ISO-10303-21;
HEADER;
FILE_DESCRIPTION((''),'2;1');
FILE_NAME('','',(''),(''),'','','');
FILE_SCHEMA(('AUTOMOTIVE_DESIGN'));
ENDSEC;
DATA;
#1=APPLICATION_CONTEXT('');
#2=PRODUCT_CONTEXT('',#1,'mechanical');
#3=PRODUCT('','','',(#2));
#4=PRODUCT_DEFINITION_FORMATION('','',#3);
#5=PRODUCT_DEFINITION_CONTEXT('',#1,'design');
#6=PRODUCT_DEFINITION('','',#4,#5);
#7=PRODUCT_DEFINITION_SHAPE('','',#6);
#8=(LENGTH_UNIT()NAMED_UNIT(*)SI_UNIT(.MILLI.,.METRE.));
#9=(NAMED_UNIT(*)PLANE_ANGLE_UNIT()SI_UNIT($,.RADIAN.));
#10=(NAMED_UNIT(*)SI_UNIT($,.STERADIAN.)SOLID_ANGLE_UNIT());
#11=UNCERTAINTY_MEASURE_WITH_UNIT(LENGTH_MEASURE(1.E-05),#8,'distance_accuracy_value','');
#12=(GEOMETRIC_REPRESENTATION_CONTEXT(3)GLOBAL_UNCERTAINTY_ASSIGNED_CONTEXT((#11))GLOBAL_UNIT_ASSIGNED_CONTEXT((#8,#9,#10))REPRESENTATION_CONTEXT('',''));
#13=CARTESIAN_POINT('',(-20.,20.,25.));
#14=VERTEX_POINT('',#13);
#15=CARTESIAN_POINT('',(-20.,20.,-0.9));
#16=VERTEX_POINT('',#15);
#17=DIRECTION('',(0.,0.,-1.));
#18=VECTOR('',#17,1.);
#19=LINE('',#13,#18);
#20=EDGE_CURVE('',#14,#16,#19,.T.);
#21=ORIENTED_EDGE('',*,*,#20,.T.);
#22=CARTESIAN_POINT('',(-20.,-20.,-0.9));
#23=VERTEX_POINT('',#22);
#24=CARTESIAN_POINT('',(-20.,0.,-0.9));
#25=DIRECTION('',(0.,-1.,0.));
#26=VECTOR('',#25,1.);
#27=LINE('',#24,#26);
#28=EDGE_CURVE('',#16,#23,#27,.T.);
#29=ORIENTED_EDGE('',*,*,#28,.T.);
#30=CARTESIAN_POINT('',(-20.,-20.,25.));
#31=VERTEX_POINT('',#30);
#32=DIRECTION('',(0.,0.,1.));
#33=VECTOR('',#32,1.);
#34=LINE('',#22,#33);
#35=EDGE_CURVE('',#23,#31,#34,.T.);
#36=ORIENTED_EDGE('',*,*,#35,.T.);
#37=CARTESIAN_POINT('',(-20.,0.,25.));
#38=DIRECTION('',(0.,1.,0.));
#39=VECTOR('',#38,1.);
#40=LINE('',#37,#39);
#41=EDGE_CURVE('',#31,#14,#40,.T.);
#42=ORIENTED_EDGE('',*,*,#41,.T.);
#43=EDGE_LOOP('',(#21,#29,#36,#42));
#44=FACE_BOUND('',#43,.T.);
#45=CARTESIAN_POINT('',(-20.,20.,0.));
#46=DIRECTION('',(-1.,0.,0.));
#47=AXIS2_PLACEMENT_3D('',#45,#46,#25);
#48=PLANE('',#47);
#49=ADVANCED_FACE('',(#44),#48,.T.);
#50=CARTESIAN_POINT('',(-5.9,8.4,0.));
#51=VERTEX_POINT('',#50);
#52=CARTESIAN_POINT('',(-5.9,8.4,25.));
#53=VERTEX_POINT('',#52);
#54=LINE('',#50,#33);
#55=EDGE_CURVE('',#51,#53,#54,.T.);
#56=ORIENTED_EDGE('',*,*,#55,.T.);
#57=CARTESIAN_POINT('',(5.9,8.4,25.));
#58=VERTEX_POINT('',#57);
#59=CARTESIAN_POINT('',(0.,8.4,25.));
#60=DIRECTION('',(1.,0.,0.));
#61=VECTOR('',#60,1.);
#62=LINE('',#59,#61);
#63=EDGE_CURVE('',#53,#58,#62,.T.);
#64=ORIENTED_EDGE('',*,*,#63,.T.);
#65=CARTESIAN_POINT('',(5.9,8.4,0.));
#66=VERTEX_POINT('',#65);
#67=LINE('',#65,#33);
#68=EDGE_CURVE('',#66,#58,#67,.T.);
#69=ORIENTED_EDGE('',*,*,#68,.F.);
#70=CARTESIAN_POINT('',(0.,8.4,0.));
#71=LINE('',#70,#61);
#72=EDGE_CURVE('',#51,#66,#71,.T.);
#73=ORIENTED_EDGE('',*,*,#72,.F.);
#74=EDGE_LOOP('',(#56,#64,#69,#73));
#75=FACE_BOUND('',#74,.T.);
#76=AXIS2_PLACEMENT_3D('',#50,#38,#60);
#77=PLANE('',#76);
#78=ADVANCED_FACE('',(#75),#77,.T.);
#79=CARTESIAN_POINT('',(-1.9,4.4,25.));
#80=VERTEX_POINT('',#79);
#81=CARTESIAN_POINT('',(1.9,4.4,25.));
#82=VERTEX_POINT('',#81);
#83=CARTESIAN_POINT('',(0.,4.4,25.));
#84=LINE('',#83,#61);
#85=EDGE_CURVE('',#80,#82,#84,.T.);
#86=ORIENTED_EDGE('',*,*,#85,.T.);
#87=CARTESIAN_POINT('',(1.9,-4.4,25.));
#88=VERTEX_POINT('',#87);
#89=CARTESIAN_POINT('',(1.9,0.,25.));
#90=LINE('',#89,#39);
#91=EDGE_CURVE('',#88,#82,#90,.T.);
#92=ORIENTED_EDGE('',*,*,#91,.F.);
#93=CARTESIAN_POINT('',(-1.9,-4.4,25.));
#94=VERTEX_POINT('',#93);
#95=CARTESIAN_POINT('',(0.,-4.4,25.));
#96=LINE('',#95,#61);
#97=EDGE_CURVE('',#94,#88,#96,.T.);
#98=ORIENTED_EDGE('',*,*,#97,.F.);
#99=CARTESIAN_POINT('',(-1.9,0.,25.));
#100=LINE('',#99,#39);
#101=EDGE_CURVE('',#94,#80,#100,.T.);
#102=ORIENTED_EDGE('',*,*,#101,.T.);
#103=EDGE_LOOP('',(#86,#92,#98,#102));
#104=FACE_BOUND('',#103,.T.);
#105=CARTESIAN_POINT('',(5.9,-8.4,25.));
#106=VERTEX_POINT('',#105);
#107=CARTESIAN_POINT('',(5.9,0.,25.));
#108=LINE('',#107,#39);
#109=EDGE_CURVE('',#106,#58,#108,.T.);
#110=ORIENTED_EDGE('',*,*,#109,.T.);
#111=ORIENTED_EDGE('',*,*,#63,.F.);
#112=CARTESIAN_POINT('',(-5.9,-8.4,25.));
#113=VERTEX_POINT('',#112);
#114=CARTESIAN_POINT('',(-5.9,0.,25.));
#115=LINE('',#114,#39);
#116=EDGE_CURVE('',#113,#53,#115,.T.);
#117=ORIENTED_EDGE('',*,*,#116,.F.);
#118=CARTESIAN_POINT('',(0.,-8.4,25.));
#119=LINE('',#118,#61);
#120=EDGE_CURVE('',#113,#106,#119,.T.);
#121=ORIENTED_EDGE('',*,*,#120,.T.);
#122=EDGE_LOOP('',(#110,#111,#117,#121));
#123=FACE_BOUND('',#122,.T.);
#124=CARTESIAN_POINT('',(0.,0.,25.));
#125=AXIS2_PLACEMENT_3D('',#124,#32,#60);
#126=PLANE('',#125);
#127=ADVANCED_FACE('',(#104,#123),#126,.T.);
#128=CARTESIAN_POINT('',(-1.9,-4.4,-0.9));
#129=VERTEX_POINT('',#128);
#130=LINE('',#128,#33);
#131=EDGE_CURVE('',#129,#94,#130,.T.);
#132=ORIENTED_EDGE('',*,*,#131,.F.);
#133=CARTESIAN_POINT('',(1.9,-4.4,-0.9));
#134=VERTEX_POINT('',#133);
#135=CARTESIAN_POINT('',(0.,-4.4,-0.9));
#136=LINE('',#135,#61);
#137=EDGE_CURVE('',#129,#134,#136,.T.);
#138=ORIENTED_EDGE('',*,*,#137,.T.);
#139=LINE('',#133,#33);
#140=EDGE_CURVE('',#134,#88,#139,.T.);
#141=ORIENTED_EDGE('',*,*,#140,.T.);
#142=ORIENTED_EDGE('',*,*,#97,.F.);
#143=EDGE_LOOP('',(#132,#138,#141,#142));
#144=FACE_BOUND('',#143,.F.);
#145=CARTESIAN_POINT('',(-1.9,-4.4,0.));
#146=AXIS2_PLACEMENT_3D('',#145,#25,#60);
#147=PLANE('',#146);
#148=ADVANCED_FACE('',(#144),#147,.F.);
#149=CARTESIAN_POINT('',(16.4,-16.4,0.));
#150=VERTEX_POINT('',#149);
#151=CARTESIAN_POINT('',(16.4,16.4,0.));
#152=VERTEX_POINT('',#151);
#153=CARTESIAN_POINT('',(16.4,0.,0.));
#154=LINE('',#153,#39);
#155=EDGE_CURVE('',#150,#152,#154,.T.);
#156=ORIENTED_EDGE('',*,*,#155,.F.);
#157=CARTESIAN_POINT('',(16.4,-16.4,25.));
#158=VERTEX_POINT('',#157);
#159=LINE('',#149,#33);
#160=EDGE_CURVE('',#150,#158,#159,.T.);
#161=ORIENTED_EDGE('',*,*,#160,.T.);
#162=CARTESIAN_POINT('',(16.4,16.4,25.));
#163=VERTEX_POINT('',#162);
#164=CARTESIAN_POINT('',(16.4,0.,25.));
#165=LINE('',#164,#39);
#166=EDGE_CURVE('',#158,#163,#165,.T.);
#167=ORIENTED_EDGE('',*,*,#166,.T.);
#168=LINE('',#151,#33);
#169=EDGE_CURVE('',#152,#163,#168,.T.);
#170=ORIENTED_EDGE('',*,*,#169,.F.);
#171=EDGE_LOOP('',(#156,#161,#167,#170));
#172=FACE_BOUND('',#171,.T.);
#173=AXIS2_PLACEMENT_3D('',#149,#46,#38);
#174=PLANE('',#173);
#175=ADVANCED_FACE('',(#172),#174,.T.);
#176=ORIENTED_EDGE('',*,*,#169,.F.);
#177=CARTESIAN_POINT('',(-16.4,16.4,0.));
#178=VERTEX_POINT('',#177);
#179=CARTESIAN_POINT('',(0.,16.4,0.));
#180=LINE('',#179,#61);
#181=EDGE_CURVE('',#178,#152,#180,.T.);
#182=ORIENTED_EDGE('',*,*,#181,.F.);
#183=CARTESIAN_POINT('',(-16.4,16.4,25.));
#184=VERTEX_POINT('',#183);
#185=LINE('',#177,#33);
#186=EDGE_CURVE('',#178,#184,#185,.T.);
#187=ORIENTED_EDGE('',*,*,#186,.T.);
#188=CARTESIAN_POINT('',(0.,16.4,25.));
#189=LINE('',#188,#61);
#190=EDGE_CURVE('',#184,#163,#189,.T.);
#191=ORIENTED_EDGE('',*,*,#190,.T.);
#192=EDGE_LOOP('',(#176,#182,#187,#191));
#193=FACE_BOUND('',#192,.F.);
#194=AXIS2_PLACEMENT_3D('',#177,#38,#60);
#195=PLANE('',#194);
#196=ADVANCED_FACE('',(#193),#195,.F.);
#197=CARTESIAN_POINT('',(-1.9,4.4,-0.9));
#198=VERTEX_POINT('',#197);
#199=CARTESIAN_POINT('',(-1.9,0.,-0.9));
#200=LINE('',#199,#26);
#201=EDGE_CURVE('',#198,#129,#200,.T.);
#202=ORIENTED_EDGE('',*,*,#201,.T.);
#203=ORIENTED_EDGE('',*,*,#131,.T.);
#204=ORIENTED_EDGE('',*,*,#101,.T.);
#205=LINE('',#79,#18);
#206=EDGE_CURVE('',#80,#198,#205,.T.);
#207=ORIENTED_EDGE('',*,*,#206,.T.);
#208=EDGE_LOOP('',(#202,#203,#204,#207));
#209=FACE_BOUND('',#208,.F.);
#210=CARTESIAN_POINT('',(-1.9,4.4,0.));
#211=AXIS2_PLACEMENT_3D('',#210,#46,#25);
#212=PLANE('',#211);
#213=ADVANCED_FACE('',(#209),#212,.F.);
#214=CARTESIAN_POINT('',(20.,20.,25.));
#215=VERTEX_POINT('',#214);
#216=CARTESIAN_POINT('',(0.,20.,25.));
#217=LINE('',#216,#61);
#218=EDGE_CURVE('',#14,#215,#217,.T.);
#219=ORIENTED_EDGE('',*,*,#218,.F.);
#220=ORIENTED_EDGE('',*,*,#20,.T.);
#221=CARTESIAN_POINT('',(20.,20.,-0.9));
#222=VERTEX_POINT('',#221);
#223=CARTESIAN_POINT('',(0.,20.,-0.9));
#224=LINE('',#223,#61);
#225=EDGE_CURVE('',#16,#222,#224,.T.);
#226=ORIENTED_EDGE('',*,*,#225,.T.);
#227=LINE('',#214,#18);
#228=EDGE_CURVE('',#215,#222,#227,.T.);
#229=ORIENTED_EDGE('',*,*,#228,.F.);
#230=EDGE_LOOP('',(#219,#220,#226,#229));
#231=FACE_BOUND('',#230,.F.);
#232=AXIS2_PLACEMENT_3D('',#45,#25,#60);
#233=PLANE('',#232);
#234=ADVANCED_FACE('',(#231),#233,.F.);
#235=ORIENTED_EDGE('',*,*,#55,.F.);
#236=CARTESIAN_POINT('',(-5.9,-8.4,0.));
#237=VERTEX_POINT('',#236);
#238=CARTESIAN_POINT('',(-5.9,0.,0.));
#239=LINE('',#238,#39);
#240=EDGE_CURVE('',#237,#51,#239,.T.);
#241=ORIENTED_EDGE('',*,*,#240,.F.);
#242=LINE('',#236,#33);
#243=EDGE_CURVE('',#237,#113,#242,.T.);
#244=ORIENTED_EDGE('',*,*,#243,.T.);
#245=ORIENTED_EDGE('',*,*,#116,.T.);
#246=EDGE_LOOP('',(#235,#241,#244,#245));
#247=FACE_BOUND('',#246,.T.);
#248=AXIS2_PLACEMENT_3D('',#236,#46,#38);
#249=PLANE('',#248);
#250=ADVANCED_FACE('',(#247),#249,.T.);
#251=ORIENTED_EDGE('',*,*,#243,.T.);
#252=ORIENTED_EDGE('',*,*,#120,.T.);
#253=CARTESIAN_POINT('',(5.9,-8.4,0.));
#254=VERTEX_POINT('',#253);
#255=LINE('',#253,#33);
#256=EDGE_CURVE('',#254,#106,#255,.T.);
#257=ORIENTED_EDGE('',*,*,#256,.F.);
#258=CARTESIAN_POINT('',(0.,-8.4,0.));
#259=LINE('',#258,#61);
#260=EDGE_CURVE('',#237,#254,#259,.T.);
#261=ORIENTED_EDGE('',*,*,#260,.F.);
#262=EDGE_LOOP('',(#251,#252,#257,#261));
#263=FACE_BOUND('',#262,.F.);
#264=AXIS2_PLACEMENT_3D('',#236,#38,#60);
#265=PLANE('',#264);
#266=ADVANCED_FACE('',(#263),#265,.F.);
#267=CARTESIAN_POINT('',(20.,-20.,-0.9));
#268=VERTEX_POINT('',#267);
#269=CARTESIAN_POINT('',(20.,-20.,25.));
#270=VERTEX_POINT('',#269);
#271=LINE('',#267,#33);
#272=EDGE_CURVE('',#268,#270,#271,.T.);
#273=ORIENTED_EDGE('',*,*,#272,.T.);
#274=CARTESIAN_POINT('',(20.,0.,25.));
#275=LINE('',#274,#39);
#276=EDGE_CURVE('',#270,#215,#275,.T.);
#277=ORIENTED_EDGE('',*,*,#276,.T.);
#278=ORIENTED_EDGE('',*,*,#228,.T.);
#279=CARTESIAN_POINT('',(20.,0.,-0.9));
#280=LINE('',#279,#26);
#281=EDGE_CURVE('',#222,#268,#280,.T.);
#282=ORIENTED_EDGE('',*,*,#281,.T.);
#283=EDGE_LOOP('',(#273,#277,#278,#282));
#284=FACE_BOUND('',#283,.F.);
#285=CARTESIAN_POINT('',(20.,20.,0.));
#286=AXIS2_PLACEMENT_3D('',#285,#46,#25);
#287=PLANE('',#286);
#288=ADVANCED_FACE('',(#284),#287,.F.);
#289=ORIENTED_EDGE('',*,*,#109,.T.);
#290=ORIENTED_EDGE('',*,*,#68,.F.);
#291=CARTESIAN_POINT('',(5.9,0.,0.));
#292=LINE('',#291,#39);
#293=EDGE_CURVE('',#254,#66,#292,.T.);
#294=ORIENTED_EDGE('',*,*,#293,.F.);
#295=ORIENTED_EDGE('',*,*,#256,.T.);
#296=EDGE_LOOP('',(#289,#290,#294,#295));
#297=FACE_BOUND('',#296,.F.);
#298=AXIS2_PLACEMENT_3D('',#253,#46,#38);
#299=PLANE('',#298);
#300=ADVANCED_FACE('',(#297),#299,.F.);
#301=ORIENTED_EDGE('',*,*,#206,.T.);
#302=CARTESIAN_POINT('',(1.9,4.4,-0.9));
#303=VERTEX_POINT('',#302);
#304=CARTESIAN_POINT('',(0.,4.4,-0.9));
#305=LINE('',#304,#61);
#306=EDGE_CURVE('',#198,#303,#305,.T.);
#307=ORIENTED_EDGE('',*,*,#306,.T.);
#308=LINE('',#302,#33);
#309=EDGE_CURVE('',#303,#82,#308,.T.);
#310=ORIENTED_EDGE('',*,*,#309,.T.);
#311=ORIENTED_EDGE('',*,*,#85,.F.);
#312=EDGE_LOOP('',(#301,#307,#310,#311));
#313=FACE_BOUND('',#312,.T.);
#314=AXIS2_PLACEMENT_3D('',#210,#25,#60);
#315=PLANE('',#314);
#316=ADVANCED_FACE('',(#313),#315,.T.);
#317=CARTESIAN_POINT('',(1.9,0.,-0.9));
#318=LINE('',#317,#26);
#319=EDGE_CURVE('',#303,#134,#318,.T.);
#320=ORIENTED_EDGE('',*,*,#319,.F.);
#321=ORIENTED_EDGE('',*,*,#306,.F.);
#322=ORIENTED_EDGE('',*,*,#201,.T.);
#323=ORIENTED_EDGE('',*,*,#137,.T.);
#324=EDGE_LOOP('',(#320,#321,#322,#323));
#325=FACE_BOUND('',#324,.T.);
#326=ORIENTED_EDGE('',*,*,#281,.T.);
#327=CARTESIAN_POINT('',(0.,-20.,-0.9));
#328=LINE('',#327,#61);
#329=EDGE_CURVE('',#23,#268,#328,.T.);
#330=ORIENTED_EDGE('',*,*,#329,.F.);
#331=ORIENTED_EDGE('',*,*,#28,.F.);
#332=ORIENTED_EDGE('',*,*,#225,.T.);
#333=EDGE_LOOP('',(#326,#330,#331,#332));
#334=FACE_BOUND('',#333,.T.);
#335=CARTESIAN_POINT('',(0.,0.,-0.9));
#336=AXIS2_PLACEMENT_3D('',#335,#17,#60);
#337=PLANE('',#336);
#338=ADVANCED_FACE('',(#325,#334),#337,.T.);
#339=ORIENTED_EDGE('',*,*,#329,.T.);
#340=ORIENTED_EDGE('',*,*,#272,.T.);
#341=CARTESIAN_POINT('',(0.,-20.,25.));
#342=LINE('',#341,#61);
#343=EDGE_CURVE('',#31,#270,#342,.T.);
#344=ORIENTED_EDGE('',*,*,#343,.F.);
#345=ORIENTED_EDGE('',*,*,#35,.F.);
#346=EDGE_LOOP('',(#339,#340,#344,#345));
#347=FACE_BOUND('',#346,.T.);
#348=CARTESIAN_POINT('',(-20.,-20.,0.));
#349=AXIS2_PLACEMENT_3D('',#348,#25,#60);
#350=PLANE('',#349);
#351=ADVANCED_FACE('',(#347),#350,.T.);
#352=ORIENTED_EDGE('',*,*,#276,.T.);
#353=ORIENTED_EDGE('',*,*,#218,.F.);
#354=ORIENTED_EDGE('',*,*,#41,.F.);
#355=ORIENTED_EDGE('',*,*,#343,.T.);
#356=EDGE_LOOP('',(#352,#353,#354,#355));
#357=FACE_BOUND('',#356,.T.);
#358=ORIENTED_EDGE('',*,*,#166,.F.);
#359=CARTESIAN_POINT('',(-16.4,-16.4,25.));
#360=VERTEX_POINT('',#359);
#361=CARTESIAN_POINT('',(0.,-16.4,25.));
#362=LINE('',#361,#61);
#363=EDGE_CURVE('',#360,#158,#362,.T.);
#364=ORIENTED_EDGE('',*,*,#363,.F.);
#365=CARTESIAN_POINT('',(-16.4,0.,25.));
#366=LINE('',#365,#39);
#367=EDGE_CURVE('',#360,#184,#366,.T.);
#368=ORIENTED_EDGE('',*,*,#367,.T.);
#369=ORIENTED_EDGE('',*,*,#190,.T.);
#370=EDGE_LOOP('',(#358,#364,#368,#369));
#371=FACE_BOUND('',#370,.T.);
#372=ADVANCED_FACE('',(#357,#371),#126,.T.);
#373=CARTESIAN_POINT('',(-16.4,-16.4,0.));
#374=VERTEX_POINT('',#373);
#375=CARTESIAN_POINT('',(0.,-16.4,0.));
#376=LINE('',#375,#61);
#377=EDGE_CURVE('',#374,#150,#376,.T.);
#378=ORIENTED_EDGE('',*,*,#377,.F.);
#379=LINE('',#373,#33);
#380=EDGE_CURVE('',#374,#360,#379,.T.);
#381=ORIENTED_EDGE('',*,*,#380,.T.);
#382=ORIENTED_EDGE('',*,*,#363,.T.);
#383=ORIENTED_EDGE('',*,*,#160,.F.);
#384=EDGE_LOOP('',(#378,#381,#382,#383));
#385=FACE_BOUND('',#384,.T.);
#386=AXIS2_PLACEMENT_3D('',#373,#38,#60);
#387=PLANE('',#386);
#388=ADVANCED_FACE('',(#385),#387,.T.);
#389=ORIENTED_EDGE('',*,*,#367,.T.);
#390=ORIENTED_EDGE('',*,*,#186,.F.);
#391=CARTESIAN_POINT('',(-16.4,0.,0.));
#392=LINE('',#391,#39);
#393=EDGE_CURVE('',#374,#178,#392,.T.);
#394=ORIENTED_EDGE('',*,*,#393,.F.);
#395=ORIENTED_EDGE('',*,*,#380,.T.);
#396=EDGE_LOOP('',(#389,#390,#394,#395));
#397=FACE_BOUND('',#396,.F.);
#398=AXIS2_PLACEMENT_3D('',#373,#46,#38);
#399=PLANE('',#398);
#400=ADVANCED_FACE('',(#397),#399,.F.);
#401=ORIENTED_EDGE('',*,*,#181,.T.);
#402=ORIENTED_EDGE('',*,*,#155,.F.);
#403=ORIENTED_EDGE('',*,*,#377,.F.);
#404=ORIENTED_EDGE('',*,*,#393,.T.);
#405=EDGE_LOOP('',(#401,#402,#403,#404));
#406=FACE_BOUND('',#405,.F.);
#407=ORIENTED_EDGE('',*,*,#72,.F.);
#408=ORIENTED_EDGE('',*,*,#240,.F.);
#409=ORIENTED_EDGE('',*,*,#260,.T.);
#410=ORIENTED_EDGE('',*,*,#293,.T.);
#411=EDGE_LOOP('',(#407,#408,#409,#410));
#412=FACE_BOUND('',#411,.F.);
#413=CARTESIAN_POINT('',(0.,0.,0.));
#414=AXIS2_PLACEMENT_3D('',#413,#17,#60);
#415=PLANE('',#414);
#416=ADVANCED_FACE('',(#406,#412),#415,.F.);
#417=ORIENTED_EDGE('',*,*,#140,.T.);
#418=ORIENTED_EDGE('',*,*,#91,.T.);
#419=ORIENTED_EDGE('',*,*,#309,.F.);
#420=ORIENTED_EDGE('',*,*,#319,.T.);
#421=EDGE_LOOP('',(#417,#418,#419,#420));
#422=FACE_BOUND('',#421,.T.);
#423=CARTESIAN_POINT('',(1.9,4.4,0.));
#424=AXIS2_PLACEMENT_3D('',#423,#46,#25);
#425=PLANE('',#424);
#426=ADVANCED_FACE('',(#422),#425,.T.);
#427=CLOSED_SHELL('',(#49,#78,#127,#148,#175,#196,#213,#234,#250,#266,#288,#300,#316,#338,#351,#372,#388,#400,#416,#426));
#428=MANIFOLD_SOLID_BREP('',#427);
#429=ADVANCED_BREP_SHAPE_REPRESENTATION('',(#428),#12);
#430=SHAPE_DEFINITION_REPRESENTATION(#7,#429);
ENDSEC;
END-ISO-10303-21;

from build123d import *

# Parameters (mm, degrees)
F0_W     = 40
F0_H     = 40
F0_W_2   = 32.8
F0_H_2   = 32.8
F1_DEPTH = 25
F2_W     = 11.8
F2_H     = 16.8
F2_W_2   = 3.8
F2_H_2   = 8.8
F3_DEPTH = 25
F4_W     = 40
F4_H     = 40
F4_W_2   = 3.8
F4_H_2   = 8.8
F5_DEPTH = 0.9


with BuildPart() as f1:
    # F0 (on Top) → F1 (new body)
    with BuildSketch(Plane.XY):
        Rectangle(F0_W, F0_H)
        Rectangle(F0_W_2, F0_H_2, mode=Mode.SUBTRACT)
    extrude(amount=F1_DEPTH)



with BuildPart() as f3:
    # F2 (on Top) → F3 (new body)
    with BuildSketch(Plane.XY):
        Rectangle(F2_W, F2_H)
        Rectangle(F2_W_2, F2_H_2, mode=Mode.SUBTRACT)
    extrude(amount=F3_DEPTH)


with BuildPart() as f1_1:
    add(f1.part)

    add(f3.part)  # F5 merges F3
    # F4 (on face) → F5 (join)
    with BuildSketch(Plane(origin=(0, 0, 0), x_dir=(1, 0, 0), z_dir=(0, 0, -1))):
        Rectangle(F4_W, F4_H)
        Rectangle(F4_W_2, F4_H_2, mode=Mode.SUBTRACT)
    extrude(amount=F5_DEPTH)


solid = f1_1.part
